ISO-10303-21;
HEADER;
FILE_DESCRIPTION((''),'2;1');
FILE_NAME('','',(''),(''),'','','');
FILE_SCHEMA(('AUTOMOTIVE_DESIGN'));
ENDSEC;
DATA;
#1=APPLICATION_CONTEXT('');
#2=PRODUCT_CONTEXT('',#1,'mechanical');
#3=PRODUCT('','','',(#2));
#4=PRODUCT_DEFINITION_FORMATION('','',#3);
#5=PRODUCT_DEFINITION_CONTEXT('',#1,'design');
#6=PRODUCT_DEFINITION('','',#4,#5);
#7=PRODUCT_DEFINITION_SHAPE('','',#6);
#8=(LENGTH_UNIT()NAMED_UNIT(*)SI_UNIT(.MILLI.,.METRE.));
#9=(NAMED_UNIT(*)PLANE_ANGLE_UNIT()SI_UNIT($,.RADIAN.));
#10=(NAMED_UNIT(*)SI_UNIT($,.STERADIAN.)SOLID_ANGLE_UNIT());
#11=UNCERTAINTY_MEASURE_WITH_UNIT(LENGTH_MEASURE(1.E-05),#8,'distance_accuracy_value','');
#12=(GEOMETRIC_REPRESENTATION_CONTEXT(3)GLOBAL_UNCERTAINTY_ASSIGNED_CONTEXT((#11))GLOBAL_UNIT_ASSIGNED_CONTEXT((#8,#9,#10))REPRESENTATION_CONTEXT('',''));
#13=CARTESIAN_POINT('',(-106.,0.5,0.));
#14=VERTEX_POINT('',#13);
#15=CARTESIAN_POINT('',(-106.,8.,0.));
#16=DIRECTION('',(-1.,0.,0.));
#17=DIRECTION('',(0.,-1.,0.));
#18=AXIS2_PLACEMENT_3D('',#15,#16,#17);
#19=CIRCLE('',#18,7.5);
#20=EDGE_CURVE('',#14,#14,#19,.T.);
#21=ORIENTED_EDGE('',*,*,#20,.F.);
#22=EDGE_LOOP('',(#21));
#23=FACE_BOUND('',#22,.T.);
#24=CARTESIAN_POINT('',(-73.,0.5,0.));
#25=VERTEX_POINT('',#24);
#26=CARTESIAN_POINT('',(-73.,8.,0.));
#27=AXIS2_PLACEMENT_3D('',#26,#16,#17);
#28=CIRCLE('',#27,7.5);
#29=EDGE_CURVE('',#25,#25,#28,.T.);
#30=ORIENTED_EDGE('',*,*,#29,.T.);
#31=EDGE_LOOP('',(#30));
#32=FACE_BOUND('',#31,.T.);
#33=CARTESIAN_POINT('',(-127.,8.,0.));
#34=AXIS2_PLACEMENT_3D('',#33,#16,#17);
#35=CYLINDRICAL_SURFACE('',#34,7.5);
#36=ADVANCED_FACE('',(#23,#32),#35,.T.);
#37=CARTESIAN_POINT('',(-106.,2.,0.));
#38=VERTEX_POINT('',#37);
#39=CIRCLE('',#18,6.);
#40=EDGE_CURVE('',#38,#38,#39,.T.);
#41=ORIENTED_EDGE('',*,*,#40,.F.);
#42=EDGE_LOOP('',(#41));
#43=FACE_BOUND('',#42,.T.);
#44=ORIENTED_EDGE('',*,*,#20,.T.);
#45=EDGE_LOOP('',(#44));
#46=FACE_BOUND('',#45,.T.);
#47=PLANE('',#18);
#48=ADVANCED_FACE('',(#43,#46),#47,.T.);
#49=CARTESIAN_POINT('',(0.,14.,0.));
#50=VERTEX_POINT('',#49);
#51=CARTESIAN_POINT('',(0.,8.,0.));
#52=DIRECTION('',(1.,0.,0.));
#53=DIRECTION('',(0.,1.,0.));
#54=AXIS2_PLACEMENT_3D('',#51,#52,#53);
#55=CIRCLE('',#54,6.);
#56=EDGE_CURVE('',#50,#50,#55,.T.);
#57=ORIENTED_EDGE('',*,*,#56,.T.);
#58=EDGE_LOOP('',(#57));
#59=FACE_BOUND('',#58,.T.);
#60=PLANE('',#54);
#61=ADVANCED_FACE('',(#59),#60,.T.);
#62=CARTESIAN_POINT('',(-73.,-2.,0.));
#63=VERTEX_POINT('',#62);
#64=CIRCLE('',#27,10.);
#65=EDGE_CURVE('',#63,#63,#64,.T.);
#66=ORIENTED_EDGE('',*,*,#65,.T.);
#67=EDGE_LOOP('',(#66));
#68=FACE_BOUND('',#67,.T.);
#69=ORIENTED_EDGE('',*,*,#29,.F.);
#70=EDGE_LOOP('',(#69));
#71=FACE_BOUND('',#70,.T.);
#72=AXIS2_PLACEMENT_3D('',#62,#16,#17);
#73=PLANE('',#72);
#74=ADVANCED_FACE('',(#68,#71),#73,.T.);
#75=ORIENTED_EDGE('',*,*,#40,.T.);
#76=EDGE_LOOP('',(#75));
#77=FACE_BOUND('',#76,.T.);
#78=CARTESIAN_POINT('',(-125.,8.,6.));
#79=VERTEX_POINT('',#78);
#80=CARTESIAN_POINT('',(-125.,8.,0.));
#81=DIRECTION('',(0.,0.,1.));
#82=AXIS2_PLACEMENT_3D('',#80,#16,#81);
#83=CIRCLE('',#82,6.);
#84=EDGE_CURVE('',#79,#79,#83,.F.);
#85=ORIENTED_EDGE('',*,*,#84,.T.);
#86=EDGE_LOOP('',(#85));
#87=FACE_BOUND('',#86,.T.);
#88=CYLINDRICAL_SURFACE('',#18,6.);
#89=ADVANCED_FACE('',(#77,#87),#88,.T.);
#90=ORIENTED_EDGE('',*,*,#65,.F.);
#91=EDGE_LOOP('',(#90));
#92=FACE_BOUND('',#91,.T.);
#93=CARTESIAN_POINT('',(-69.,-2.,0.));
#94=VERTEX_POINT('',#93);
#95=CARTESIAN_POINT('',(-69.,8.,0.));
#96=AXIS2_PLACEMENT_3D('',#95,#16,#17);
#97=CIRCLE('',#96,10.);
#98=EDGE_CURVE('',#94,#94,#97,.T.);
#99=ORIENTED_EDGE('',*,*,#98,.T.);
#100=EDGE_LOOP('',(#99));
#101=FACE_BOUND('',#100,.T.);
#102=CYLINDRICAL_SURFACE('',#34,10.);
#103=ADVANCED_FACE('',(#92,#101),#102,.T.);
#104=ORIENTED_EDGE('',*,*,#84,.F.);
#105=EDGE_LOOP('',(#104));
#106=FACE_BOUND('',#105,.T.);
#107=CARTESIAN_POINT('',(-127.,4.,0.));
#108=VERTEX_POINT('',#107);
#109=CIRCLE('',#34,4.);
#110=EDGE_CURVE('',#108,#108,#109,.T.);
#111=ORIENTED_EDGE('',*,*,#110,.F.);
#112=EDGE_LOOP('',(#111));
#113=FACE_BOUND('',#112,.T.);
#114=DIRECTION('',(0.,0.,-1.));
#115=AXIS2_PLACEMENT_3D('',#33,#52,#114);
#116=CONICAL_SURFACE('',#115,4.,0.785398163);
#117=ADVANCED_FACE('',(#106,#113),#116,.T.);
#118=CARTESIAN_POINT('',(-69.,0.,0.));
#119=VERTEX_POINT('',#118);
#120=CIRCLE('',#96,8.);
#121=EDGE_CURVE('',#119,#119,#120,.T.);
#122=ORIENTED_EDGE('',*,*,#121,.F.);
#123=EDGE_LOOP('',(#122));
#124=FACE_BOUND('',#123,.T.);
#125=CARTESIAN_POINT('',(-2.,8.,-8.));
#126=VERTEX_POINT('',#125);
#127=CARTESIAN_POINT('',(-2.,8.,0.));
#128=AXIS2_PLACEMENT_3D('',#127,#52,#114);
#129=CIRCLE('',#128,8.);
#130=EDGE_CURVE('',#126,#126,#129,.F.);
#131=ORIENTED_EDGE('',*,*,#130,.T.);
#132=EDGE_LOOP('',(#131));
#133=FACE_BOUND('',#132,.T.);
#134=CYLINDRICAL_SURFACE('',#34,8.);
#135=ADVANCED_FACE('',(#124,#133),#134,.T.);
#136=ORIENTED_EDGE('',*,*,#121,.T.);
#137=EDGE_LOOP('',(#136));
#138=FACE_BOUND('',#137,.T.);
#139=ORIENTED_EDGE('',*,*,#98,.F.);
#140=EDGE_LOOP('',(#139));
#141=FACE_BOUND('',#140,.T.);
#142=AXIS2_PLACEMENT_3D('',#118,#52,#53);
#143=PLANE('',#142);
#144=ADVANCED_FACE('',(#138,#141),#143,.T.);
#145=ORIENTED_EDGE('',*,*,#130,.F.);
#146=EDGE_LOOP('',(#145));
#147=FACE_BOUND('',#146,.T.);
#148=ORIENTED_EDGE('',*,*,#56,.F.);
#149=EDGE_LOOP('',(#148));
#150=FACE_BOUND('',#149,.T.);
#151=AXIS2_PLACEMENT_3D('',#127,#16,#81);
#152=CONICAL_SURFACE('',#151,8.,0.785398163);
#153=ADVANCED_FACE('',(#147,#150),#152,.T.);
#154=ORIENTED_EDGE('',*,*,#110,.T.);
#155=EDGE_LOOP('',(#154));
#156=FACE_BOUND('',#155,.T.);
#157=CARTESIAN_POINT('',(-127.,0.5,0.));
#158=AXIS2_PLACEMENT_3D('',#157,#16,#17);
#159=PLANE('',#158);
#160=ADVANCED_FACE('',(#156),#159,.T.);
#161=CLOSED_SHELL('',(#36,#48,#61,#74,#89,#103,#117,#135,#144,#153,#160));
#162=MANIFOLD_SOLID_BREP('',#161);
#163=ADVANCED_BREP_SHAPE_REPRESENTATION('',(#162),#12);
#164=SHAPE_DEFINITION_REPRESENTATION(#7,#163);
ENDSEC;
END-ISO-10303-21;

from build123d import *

# Parameters (mm, degrees)
SKIZZE2_R                       = 7.5
SKIZZE2_R_2                     = 6
SCHNITT_LINEAR_AUSTRAGEN2_DEPTH = 21
FASE2_SIZE                      = 2
FASE3_SIZE                      = 2


with BuildPart() as part:
    # Skizze1 → Rotation1 (revolve)
    with BuildSketch(Plane.XY):
        Polygon((0, 0), (-69, 0), (-69, -2), (-73, -2), (-73, 0.5), (-127, 0.5), (-127, 8), (0, 8), align=None)
    revolve(axis=Axis((-127, 8, 0), (1, 0, 0)))

    # Skizze2 → Schnitt-Linear austragen2 (cut)
    with BuildSketch(Plane.ZY.offset(127)):
        with Locations((0, 8)):
            Circle(SKIZZE2_R)
        with Locations((0, 8)):
            Circle(SKIZZE2_R_2, mode=Mode.SUBTRACT)
    extrude(amount=-SCHNITT_LINEAR_AUSTRAGEN2_DEPTH, mode=Mode.SUBTRACT)

    # Fase2
    fase2_edges = [part.edges().sort_by_distance(p)[0] for p in [
        (-127, 8, -6),
    ]]
    chamfer(fase2_edges, length=FASE2_SIZE)

    # Fase3
    fase3_edges = [part.edges().sort_by_distance(p)[0] for p in [
        (0, 16, 0),
    ]]
    chamfer(fase3_edges, length=FASE3_SIZE)


solid = part.part
